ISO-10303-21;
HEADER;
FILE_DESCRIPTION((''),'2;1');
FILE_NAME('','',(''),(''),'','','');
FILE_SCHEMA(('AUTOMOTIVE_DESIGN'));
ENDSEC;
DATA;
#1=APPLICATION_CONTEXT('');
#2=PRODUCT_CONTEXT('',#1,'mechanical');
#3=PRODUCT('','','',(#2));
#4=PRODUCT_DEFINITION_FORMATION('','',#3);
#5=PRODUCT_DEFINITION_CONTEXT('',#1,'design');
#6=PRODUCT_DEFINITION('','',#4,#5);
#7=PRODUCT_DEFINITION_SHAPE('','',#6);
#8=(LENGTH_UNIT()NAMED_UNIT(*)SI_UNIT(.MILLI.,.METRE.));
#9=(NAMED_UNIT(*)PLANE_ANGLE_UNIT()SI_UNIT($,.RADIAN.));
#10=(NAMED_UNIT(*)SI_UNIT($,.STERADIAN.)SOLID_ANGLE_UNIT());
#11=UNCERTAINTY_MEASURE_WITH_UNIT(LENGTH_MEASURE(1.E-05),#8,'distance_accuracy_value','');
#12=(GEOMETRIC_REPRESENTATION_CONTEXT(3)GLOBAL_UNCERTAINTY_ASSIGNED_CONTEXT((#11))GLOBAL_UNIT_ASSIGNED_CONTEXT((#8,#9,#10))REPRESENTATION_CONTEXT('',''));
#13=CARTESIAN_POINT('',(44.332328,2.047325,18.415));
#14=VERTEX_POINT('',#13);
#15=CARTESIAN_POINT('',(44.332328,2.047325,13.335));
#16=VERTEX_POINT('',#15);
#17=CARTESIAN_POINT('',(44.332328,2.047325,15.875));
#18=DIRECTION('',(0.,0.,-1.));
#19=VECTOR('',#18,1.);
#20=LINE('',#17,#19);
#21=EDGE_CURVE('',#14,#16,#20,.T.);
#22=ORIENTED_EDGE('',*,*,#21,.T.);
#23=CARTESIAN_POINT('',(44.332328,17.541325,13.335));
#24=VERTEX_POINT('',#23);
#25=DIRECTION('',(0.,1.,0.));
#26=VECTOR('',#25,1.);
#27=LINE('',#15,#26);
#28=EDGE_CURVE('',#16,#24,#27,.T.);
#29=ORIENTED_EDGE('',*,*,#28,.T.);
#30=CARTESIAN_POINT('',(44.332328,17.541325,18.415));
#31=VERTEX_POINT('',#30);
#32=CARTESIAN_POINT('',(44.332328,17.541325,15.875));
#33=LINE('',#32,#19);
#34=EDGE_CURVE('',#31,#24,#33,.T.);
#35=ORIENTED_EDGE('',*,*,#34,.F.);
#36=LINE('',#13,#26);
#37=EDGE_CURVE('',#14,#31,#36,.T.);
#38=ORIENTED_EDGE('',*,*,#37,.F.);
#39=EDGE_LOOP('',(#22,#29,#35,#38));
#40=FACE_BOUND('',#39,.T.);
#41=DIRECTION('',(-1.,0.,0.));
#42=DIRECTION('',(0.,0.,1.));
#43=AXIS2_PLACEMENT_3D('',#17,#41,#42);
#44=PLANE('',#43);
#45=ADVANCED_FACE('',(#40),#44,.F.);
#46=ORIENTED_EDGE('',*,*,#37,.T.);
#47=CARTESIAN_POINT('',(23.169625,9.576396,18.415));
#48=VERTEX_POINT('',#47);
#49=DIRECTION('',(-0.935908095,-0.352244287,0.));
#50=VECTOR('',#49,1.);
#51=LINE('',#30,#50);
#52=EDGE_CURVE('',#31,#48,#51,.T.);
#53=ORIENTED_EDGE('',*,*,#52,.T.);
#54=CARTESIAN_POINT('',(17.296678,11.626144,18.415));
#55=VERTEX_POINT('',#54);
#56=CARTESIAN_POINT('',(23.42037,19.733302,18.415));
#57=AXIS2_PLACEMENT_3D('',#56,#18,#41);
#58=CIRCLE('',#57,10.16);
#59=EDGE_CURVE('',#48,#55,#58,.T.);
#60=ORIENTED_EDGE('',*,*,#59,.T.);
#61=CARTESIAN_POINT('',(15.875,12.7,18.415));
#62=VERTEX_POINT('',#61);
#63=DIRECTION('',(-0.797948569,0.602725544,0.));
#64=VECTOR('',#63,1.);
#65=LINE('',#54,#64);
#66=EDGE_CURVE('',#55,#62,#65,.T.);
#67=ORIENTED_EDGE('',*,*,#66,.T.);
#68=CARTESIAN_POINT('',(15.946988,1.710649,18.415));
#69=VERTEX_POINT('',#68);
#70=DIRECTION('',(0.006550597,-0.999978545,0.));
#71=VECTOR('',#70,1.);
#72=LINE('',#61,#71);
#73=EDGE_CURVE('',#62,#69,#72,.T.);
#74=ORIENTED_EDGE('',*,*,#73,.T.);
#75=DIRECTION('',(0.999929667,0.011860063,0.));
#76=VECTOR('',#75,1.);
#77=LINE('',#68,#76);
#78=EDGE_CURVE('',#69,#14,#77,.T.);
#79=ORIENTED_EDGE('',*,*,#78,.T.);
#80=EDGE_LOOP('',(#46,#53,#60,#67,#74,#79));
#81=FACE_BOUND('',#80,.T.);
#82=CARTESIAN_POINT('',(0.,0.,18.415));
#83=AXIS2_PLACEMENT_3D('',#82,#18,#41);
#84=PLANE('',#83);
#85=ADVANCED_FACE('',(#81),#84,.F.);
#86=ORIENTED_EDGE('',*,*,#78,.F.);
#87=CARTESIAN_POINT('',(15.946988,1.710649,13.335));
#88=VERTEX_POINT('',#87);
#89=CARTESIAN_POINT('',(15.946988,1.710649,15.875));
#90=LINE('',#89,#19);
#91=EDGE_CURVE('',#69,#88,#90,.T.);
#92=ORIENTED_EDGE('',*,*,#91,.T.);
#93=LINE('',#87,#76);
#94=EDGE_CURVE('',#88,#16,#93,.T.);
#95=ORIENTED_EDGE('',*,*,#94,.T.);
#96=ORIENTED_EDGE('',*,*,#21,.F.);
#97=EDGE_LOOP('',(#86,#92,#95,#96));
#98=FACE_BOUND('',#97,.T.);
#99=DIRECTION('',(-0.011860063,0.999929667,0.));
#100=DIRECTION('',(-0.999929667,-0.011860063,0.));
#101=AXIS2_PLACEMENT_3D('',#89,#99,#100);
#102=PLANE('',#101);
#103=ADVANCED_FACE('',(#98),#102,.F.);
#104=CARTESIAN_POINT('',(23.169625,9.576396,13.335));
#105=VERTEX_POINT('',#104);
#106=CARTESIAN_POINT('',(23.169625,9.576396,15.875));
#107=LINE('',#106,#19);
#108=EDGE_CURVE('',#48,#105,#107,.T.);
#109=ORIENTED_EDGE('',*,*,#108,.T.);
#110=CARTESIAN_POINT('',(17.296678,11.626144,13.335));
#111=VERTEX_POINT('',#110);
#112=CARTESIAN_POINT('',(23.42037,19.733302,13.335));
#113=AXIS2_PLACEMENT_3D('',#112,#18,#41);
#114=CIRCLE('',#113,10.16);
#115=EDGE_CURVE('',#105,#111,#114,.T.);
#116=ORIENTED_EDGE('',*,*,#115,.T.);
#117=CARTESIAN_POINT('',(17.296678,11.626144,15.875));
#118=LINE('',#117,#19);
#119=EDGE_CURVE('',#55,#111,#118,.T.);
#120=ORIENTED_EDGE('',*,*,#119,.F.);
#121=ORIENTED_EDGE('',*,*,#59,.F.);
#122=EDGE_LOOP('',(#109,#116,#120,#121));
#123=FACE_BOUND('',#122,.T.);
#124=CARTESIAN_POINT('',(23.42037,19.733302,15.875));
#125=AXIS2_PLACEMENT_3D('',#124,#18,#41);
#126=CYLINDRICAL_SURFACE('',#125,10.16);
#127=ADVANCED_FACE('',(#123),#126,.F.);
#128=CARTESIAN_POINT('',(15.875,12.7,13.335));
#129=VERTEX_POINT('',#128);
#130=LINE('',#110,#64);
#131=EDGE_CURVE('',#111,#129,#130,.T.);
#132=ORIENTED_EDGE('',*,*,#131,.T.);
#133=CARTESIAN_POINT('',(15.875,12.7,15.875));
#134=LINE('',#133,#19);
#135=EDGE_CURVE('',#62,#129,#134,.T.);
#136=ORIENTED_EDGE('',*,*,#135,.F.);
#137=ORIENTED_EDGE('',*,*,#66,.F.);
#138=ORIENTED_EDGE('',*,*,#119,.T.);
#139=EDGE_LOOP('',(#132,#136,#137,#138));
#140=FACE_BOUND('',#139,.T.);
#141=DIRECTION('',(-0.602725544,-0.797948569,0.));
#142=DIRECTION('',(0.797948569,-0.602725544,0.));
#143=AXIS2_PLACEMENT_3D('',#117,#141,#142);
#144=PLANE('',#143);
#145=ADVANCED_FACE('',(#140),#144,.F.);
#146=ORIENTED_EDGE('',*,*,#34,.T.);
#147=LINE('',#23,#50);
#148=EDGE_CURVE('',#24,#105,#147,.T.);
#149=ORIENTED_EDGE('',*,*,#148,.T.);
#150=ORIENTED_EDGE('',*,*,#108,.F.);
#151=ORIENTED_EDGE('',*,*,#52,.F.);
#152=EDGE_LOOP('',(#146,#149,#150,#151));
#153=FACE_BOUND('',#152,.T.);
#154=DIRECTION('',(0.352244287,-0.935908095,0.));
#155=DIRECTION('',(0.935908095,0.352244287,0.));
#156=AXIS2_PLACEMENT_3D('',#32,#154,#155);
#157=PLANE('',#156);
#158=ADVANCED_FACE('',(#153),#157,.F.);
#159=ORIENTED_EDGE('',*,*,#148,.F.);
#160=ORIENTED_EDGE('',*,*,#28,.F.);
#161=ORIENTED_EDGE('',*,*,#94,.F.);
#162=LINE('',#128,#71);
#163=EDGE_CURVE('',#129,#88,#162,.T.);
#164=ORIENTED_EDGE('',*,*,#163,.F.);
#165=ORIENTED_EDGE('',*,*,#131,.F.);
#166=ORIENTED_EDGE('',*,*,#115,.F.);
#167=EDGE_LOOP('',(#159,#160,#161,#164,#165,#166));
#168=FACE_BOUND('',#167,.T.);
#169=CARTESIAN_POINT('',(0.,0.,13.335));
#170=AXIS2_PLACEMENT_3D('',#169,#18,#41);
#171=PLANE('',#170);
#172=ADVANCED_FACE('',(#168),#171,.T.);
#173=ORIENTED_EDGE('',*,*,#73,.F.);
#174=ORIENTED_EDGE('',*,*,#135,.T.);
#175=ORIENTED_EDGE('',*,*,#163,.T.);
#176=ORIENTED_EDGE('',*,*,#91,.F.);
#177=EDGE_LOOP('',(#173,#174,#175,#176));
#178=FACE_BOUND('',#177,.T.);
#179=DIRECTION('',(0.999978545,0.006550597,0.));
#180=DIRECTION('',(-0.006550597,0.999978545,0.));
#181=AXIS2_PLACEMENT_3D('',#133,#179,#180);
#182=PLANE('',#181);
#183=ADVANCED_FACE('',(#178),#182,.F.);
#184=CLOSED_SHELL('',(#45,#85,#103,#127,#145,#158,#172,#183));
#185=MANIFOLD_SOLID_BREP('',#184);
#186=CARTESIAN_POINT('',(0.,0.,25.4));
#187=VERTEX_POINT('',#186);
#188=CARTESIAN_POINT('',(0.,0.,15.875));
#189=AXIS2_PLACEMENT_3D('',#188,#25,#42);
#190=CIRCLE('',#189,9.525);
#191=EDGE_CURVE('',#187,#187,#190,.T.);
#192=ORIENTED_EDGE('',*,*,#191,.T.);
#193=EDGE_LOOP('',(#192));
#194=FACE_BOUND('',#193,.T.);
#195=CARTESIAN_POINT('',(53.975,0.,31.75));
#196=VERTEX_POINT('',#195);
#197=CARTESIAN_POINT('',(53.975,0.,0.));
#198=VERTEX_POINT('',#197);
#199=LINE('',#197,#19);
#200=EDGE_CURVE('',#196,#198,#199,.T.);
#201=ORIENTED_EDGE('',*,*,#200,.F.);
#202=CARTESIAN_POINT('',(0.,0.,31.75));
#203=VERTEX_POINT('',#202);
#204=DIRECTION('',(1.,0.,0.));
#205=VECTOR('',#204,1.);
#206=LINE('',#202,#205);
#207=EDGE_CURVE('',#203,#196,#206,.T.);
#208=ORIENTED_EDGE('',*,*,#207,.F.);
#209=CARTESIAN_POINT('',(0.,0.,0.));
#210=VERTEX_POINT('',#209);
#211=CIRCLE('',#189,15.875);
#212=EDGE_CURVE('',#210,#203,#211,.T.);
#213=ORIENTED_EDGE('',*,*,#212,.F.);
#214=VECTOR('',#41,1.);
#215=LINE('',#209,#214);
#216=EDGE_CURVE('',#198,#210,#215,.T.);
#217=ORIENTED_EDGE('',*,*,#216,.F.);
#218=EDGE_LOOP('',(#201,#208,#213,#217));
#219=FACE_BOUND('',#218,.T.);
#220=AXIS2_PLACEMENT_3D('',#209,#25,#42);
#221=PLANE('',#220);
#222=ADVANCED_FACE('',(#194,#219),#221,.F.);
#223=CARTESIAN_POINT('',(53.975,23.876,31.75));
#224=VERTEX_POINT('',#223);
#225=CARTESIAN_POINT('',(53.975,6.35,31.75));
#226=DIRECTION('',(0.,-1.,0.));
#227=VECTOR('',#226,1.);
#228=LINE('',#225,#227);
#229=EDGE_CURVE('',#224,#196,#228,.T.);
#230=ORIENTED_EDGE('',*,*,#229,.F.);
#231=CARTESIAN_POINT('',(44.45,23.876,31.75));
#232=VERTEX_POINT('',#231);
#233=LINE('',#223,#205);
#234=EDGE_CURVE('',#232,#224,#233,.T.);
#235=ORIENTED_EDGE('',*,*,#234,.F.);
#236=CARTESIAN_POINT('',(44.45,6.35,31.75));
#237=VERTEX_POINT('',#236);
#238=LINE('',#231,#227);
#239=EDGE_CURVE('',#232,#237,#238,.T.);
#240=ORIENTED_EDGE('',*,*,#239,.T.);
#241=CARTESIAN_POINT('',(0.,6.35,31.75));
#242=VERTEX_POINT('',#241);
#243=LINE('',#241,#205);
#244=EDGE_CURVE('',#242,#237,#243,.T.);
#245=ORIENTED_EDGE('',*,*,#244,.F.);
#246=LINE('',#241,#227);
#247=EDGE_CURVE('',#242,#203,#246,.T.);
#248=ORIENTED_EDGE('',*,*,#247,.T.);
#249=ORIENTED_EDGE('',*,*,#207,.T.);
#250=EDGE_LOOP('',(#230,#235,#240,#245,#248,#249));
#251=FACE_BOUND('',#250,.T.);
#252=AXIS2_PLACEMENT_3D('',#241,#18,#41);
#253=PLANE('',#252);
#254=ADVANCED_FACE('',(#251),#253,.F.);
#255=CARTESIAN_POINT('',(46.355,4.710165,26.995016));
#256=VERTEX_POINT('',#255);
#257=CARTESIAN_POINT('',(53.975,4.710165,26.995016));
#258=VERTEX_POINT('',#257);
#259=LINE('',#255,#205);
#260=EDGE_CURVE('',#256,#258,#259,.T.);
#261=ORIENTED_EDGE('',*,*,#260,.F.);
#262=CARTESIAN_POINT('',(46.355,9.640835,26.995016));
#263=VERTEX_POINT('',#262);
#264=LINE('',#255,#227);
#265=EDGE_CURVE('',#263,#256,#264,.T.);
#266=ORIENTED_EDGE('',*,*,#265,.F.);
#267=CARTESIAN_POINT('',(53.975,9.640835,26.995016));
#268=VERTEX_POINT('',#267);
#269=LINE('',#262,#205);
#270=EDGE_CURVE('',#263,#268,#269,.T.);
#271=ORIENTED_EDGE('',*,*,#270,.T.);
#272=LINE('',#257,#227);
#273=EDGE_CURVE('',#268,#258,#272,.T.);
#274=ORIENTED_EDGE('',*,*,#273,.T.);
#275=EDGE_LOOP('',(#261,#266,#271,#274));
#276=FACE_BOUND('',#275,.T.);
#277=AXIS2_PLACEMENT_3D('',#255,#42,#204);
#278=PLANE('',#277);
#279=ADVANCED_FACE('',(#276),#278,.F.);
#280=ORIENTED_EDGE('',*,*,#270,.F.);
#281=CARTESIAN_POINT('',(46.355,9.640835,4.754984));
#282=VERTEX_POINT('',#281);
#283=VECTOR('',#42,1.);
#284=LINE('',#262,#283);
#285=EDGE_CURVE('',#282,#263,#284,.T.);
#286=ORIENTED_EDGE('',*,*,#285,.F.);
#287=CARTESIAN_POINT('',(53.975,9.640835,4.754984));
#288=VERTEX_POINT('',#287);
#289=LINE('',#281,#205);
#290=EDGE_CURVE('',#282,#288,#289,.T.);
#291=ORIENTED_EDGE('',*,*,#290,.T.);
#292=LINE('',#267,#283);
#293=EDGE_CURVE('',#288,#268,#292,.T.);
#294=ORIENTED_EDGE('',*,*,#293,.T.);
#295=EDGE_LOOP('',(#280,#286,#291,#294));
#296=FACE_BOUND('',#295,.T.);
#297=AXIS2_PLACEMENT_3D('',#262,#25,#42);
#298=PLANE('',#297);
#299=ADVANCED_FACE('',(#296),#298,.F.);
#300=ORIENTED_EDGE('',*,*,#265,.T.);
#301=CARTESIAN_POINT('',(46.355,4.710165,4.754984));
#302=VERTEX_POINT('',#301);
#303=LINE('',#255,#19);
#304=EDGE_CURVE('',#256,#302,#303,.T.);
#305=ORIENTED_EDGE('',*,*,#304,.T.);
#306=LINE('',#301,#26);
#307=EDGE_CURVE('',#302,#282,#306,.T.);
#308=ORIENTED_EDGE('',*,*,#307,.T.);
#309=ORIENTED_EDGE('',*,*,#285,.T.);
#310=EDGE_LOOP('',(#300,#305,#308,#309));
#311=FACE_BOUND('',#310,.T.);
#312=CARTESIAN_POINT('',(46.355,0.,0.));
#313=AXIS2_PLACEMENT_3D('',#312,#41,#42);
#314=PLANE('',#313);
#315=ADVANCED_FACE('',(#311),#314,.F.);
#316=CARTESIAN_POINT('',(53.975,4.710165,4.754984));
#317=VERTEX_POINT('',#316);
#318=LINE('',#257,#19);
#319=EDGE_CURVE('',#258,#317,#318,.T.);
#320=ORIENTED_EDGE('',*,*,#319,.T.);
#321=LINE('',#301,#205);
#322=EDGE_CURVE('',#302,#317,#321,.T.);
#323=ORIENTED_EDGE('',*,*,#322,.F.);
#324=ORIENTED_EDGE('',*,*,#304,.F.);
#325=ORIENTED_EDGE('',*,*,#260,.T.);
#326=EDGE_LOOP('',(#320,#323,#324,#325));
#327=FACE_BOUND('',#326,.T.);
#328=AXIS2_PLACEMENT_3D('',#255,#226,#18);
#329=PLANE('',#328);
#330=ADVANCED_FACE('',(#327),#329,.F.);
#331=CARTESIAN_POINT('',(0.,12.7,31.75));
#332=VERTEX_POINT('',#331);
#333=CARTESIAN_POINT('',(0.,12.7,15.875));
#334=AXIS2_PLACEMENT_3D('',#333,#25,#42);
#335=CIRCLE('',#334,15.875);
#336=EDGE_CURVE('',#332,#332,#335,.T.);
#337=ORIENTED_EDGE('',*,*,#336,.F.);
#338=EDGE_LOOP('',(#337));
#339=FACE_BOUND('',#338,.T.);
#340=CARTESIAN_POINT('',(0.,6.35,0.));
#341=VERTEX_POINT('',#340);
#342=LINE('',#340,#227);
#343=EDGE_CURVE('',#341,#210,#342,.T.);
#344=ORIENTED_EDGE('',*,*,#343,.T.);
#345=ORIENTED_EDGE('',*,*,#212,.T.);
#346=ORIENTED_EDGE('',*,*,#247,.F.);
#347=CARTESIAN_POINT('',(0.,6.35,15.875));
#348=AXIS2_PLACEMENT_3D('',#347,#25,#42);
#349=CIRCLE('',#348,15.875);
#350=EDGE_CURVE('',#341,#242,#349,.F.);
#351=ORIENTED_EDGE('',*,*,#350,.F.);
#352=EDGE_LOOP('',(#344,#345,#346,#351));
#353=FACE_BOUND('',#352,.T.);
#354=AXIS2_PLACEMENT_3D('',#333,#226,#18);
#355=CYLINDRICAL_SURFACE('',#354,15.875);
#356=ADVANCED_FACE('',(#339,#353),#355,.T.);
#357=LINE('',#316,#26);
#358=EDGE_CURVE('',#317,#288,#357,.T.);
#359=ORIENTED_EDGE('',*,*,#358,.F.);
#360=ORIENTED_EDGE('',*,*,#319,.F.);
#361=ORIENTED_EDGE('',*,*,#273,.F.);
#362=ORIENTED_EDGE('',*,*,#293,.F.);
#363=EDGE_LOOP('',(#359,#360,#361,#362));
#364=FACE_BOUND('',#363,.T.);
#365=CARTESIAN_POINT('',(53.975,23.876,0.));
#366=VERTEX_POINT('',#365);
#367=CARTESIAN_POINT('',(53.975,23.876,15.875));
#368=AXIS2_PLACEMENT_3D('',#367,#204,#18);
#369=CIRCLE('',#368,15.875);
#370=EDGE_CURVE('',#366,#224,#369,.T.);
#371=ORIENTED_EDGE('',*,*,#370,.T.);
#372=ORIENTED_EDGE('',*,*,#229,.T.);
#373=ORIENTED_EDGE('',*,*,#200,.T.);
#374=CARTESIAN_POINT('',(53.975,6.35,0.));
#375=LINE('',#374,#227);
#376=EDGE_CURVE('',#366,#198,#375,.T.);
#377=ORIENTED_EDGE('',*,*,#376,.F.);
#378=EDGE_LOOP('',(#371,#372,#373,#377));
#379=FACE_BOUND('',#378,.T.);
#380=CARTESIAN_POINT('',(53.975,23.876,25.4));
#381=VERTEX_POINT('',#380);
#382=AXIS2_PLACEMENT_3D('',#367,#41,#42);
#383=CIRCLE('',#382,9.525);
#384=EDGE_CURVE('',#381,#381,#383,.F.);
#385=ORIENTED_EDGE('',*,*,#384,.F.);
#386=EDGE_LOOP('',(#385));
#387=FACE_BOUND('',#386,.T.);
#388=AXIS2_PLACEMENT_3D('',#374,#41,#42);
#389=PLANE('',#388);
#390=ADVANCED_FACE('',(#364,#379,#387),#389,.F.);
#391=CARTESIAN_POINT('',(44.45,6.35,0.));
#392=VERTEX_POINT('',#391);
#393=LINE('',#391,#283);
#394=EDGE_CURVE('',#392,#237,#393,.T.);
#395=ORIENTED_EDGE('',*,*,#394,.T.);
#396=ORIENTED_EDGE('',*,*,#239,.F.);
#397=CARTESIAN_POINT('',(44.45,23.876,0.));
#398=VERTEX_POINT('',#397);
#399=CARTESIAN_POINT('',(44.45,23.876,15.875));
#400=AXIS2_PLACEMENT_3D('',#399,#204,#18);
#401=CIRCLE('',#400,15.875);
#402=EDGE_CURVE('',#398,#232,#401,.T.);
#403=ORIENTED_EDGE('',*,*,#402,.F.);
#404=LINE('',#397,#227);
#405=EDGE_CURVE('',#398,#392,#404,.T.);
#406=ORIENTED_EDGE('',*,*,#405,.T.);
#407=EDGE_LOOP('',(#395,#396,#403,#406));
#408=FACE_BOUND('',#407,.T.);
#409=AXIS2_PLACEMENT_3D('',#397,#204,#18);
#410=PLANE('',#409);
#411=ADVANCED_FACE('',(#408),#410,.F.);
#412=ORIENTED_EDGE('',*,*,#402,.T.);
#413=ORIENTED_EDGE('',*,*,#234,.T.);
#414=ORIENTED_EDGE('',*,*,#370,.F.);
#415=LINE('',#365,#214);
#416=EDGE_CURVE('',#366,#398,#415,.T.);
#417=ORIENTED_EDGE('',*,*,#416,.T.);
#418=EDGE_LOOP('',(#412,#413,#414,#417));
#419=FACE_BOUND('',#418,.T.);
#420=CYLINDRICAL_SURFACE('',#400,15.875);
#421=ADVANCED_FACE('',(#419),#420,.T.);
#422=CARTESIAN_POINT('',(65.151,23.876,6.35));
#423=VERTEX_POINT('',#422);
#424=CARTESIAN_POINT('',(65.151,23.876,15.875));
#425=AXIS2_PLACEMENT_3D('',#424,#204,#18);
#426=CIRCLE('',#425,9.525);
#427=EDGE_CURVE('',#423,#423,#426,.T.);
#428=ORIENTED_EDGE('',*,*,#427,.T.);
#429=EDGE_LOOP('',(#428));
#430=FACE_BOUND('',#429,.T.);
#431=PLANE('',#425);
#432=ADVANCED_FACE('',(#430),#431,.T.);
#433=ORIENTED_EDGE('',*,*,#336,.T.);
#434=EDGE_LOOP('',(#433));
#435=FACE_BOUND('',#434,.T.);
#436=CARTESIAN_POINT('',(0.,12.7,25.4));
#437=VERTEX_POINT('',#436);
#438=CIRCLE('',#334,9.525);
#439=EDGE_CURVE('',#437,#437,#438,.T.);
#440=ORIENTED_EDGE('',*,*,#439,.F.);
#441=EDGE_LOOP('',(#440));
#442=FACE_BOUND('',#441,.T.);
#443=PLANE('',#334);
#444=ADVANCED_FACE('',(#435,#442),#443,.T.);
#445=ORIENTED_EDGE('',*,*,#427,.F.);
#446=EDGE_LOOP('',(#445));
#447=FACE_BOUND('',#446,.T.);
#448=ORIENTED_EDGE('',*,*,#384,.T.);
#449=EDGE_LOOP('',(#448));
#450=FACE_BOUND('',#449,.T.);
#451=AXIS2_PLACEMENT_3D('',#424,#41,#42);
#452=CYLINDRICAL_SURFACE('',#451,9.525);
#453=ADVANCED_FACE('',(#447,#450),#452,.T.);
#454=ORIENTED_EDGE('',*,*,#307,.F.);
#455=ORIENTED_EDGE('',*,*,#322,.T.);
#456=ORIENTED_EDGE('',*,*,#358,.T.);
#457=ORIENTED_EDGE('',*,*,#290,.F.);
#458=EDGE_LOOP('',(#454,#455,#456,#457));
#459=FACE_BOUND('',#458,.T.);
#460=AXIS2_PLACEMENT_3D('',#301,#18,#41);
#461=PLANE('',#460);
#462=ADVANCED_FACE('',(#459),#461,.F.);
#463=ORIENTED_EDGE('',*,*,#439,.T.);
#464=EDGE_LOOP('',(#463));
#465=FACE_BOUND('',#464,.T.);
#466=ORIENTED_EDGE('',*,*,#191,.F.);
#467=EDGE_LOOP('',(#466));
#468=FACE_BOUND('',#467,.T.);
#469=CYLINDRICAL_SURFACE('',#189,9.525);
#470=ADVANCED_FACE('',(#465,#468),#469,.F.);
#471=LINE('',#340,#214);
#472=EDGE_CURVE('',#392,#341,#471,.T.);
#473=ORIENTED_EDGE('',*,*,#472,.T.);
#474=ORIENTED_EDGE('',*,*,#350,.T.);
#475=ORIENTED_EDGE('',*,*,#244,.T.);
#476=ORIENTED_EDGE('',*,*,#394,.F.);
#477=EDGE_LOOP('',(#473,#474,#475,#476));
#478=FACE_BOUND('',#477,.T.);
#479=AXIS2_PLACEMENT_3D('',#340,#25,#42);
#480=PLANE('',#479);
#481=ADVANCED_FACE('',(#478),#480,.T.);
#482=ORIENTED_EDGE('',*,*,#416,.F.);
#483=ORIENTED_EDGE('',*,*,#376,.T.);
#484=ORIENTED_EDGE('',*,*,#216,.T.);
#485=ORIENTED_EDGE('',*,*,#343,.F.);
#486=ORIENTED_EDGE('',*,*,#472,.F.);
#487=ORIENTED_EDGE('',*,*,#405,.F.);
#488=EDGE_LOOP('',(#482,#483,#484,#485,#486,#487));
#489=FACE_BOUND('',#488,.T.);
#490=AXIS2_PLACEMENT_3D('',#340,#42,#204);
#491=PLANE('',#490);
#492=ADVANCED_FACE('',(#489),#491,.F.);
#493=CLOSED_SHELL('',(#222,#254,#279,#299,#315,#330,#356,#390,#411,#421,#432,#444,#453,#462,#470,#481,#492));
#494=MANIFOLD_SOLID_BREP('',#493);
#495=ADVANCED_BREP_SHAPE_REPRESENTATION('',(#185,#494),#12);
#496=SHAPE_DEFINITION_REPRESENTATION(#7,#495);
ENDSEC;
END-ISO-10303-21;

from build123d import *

# Parameters (mm, degrees)
SKETCH1_W                 = 53.975
SKETCH1_H                 = 31.75
BOSS_EXTRUDE1_DEPTH       = 6.35
SKETCH2_R                 = 15.875
BOSS_EXTRUDE2_DEPTH       = 12.7
SKETCH3_R                 = 9.525
CUT_EXTRUDE1_DEPTH        = 12.7
SKETCH4_W                 = 9.525
SKETCH4_H                 = 31.75
BOSS_EXTRUDE4_DEPTH       = 17.526
SKETCH6_R                 = 15.875
BOSS_EXTRUDE5_DEPTH       = 9.525
SKETCH7_R                 = 9.525
BOSS_EXTRUDE6_DEPTH       = 11.176
BOSS_EXTRUDE11_DEPTH      = 2.54
BOSS_EXTRUDE11_DEPTH_BACK = 2.54
SKETCH10_W                = 22.24003272
SKETCH10_H                = 4.930670522
CUT_EXTRUDE2_DEPTH        = 7.62


with BuildPart() as part:
    # Sketch1 → Boss-Extrude1 (new body)
    with BuildSketch(Plane(origin=(0, 0, 0), x_dir=(1, 0, 0), z_dir=(0, 1, 0))):
        with Locations((26.9875, -15.875)):
            Rectangle(SKETCH1_W, SKETCH1_H)
    extrude(amount=BOSS_EXTRUDE1_DEPTH)

    # Sketch2 → Boss-Extrude2 (add)
    with BuildSketch(Plane(origin=(0, 0, 0), x_dir=(1, 0, 0), z_dir=(0, 1, 0))):
        with Locations(Location((0, -15.875, 0), (0, 0, 270))):
            Circle(SKETCH2_R)
    extrude(amount=BOSS_EXTRUDE2_DEPTH)

    # Sketch3 → Cut-Extrude1 (cut)
    with BuildSketch(Plane(origin=(0, 12.7, 0), x_dir=(1, 0, 0), z_dir=(0, 1, 0))):
        with Locations(Location((0, -15.875, 0), (0, 0, 270))):
            Circle(SKETCH3_R)
    extrude(amount=-CUT_EXTRUDE1_DEPTH, mode=Mode.SUBTRACT)

    # Sketch4 → Boss-Extrude4 (add)
    with BuildSketch(Plane(origin=(0, 6.35, 0), x_dir=(1, 0, 0), z_dir=(0, 1, 0))):
        with Locations((49.2125, -15.875)):
            Rectangle(SKETCH4_W, SKETCH4_H)
    extrude(amount=BOSS_EXTRUDE4_DEPTH)

    # Sketch6 → Boss-Extrude5 (add)
    with BuildSketch(Plane(origin=(53.975, 0, 0), x_dir=(0, 0, -1), z_dir=(1, 0, 0))):
        with Locations((-15.875, 23.876)):
            Circle(SKETCH6_R)
    extrude(amount=-BOSS_EXTRUDE5_DEPTH)

    # Sketch7 → Boss-Extrude6 (add)
    with BuildSketch(Plane(origin=(53.975, 0, 0), x_dir=(0, 0, -1), z_dir=(1, 0, 0))):
        with Locations(Location((-15.875, 23.876, 0), (0, 0, 180))):
            Circle(SKETCH7_R)
    extrude(amount=BOSS_EXTRUDE6_DEPTH)

    # Sketch10 → Cut-Extrude2 (cut)
    with BuildSketch(Plane(origin=(53.975, 0, 0), x_dir=(0, 0, -1), z_dir=(1, 0, 0))):
        with Locations((-15.875, 7.1755)):
            Rectangle(SKETCH10_W, SKETCH10_H)
    extrude(amount=-CUT_EXTRUDE2_DEPTH, mode=Mode.SUBTRACT)


with BuildPart() as body_2:
    # 3DSketch1 → Boss-Extrude11 (new, two sides: drawn at the far end of the back side and taken through both)
    with BuildSketch(Plane(origin=(15.946988355, 1.710649259, 15.875), x_dir=(0.8733587666153865, 0.4870774730738951, 0), z_dir=(0, 0, -1)).offset(-BOSS_EXTRUDE11_DEPTH_BACK)):
        with BuildLine():
            Line((0, 0), (24.954571984, 13.53182073))
            Line((24.954571984, 13.53182073), (32.501350351, 0))
            Line((32.501350351, 0), (10.139180944, -3.351635604))
            ThreePointArc((10.139180944, -3.351635604), (7.709103711, -5.353102519), (6.008377613, -8.002380894))
            Line((6.008377613, -8.002380894), (5.289793529, -9.632709715))
            Line((5.289793529, -9.632709715), (0, 0))
        make_face()
    extrude(amount=BOSS_EXTRUDE11_DEPTH + BOSS_EXTRUDE11_DEPTH_BACK)


solid = Compound([part.part, body_2.part])
